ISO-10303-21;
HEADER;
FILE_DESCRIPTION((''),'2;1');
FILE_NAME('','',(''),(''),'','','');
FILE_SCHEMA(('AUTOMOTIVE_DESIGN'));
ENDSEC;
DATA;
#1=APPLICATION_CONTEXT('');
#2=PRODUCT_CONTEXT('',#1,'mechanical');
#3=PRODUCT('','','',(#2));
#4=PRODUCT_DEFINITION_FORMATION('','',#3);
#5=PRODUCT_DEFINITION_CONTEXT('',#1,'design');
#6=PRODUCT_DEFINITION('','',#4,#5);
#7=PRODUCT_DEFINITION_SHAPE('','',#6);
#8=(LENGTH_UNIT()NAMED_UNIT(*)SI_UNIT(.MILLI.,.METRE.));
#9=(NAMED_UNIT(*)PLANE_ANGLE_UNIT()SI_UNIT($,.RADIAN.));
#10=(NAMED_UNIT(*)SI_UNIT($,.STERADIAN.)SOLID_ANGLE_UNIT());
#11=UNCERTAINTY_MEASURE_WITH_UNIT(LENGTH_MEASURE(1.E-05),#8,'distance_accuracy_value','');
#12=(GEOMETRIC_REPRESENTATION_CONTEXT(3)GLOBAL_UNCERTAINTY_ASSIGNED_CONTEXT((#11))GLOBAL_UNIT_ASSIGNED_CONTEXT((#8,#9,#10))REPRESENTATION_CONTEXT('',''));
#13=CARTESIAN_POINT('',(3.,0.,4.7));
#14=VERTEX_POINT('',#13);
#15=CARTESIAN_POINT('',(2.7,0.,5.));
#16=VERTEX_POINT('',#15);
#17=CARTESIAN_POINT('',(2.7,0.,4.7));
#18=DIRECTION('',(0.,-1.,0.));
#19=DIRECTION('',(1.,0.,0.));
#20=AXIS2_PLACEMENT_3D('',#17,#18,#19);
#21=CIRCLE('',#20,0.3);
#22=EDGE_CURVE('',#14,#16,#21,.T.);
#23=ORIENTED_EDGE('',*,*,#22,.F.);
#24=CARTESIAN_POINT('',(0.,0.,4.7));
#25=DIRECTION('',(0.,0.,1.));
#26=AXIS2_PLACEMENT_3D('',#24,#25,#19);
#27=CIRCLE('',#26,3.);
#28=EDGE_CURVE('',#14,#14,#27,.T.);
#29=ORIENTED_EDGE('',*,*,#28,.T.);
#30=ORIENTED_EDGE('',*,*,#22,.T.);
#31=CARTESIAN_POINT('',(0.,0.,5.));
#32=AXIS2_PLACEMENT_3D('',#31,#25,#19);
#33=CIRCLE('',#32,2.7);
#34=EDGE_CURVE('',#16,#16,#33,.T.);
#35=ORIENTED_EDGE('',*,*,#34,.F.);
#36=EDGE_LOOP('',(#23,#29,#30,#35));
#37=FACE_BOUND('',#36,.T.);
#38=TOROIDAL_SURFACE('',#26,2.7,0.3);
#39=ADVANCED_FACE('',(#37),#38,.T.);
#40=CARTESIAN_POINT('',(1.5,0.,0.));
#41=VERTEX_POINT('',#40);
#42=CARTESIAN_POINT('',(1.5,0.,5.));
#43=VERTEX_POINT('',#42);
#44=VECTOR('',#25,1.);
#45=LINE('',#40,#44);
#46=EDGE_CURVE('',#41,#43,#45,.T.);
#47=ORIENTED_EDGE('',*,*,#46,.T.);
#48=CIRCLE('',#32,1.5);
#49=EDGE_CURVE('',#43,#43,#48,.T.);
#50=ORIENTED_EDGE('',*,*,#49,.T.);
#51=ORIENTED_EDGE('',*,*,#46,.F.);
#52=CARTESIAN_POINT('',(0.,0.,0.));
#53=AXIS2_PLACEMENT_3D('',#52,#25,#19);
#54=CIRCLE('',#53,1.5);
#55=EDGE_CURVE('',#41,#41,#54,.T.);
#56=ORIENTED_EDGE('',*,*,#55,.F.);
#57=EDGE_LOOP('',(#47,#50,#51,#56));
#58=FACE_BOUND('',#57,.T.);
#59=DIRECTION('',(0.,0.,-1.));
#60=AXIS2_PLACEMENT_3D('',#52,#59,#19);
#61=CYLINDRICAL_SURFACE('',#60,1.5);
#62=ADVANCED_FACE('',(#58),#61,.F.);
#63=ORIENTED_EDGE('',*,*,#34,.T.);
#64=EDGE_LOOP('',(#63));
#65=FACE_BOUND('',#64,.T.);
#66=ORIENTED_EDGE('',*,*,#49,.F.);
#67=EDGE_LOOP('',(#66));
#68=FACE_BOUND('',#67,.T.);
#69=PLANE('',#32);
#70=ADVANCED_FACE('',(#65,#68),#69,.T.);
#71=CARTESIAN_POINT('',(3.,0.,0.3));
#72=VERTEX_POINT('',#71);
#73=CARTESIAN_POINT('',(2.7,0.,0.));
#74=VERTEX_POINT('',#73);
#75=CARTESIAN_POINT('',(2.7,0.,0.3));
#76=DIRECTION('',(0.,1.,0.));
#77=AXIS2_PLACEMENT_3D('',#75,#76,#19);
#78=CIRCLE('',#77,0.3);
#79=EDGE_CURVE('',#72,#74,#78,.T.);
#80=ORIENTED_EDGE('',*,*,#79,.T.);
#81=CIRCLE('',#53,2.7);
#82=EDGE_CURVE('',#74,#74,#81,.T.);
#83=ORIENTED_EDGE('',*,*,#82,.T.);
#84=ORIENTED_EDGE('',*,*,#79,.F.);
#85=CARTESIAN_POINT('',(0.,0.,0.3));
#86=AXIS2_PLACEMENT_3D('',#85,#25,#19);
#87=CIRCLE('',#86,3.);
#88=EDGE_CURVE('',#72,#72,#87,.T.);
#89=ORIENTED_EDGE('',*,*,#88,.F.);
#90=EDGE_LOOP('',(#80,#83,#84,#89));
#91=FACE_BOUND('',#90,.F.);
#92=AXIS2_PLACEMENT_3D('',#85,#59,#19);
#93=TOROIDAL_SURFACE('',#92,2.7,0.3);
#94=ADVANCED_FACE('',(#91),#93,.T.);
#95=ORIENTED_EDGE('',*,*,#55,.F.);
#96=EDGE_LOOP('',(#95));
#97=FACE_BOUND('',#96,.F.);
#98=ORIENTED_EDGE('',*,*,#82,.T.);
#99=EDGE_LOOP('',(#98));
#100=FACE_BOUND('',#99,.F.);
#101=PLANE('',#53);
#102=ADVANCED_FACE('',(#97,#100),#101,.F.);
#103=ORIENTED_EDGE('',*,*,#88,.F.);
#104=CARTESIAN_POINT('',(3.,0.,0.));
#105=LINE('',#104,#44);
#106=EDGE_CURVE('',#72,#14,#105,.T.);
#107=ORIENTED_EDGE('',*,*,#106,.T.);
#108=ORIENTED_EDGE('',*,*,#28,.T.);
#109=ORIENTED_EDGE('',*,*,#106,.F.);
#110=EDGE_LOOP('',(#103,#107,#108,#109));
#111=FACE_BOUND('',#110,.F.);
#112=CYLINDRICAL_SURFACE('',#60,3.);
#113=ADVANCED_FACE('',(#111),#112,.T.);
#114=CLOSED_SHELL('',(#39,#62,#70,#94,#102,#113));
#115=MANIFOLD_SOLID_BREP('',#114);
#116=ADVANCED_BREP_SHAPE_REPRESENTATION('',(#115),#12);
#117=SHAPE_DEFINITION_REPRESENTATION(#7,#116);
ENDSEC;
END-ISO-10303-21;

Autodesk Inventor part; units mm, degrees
ref_plane "YZ Plane" through (0, 0, 0) normal (1, 0, 0) x (0, 1, 0)
ref_plane "XZ Plane" through (0, 0, 0) normal (0, 1, 0) x (-1, 0, 0)
ref_plane "XY Plane" through (0, 0, 0) normal (0, 0, 1) x (1, 0, 0)
sketch "スケッチ1" plane through (0, 0, 0) normal (0, 0, 1) x (1, 0, 0)
  circle A0 centre (0, 0) radius 1.5
  circle A1 centre (0, 0) radius 3
  dimension "d0" = 3
  dimension "d1" = 6
extrude "押し出し1" add sketch "スケッチ1" along normal blind 5
fillet "フィレット1" radius 0.3 2 edges at (-3, 0, 5) (-3, 0, 0)
properties part number "スペーサー中空M3L5樹脂" material "アセタール樹脂、黒"
